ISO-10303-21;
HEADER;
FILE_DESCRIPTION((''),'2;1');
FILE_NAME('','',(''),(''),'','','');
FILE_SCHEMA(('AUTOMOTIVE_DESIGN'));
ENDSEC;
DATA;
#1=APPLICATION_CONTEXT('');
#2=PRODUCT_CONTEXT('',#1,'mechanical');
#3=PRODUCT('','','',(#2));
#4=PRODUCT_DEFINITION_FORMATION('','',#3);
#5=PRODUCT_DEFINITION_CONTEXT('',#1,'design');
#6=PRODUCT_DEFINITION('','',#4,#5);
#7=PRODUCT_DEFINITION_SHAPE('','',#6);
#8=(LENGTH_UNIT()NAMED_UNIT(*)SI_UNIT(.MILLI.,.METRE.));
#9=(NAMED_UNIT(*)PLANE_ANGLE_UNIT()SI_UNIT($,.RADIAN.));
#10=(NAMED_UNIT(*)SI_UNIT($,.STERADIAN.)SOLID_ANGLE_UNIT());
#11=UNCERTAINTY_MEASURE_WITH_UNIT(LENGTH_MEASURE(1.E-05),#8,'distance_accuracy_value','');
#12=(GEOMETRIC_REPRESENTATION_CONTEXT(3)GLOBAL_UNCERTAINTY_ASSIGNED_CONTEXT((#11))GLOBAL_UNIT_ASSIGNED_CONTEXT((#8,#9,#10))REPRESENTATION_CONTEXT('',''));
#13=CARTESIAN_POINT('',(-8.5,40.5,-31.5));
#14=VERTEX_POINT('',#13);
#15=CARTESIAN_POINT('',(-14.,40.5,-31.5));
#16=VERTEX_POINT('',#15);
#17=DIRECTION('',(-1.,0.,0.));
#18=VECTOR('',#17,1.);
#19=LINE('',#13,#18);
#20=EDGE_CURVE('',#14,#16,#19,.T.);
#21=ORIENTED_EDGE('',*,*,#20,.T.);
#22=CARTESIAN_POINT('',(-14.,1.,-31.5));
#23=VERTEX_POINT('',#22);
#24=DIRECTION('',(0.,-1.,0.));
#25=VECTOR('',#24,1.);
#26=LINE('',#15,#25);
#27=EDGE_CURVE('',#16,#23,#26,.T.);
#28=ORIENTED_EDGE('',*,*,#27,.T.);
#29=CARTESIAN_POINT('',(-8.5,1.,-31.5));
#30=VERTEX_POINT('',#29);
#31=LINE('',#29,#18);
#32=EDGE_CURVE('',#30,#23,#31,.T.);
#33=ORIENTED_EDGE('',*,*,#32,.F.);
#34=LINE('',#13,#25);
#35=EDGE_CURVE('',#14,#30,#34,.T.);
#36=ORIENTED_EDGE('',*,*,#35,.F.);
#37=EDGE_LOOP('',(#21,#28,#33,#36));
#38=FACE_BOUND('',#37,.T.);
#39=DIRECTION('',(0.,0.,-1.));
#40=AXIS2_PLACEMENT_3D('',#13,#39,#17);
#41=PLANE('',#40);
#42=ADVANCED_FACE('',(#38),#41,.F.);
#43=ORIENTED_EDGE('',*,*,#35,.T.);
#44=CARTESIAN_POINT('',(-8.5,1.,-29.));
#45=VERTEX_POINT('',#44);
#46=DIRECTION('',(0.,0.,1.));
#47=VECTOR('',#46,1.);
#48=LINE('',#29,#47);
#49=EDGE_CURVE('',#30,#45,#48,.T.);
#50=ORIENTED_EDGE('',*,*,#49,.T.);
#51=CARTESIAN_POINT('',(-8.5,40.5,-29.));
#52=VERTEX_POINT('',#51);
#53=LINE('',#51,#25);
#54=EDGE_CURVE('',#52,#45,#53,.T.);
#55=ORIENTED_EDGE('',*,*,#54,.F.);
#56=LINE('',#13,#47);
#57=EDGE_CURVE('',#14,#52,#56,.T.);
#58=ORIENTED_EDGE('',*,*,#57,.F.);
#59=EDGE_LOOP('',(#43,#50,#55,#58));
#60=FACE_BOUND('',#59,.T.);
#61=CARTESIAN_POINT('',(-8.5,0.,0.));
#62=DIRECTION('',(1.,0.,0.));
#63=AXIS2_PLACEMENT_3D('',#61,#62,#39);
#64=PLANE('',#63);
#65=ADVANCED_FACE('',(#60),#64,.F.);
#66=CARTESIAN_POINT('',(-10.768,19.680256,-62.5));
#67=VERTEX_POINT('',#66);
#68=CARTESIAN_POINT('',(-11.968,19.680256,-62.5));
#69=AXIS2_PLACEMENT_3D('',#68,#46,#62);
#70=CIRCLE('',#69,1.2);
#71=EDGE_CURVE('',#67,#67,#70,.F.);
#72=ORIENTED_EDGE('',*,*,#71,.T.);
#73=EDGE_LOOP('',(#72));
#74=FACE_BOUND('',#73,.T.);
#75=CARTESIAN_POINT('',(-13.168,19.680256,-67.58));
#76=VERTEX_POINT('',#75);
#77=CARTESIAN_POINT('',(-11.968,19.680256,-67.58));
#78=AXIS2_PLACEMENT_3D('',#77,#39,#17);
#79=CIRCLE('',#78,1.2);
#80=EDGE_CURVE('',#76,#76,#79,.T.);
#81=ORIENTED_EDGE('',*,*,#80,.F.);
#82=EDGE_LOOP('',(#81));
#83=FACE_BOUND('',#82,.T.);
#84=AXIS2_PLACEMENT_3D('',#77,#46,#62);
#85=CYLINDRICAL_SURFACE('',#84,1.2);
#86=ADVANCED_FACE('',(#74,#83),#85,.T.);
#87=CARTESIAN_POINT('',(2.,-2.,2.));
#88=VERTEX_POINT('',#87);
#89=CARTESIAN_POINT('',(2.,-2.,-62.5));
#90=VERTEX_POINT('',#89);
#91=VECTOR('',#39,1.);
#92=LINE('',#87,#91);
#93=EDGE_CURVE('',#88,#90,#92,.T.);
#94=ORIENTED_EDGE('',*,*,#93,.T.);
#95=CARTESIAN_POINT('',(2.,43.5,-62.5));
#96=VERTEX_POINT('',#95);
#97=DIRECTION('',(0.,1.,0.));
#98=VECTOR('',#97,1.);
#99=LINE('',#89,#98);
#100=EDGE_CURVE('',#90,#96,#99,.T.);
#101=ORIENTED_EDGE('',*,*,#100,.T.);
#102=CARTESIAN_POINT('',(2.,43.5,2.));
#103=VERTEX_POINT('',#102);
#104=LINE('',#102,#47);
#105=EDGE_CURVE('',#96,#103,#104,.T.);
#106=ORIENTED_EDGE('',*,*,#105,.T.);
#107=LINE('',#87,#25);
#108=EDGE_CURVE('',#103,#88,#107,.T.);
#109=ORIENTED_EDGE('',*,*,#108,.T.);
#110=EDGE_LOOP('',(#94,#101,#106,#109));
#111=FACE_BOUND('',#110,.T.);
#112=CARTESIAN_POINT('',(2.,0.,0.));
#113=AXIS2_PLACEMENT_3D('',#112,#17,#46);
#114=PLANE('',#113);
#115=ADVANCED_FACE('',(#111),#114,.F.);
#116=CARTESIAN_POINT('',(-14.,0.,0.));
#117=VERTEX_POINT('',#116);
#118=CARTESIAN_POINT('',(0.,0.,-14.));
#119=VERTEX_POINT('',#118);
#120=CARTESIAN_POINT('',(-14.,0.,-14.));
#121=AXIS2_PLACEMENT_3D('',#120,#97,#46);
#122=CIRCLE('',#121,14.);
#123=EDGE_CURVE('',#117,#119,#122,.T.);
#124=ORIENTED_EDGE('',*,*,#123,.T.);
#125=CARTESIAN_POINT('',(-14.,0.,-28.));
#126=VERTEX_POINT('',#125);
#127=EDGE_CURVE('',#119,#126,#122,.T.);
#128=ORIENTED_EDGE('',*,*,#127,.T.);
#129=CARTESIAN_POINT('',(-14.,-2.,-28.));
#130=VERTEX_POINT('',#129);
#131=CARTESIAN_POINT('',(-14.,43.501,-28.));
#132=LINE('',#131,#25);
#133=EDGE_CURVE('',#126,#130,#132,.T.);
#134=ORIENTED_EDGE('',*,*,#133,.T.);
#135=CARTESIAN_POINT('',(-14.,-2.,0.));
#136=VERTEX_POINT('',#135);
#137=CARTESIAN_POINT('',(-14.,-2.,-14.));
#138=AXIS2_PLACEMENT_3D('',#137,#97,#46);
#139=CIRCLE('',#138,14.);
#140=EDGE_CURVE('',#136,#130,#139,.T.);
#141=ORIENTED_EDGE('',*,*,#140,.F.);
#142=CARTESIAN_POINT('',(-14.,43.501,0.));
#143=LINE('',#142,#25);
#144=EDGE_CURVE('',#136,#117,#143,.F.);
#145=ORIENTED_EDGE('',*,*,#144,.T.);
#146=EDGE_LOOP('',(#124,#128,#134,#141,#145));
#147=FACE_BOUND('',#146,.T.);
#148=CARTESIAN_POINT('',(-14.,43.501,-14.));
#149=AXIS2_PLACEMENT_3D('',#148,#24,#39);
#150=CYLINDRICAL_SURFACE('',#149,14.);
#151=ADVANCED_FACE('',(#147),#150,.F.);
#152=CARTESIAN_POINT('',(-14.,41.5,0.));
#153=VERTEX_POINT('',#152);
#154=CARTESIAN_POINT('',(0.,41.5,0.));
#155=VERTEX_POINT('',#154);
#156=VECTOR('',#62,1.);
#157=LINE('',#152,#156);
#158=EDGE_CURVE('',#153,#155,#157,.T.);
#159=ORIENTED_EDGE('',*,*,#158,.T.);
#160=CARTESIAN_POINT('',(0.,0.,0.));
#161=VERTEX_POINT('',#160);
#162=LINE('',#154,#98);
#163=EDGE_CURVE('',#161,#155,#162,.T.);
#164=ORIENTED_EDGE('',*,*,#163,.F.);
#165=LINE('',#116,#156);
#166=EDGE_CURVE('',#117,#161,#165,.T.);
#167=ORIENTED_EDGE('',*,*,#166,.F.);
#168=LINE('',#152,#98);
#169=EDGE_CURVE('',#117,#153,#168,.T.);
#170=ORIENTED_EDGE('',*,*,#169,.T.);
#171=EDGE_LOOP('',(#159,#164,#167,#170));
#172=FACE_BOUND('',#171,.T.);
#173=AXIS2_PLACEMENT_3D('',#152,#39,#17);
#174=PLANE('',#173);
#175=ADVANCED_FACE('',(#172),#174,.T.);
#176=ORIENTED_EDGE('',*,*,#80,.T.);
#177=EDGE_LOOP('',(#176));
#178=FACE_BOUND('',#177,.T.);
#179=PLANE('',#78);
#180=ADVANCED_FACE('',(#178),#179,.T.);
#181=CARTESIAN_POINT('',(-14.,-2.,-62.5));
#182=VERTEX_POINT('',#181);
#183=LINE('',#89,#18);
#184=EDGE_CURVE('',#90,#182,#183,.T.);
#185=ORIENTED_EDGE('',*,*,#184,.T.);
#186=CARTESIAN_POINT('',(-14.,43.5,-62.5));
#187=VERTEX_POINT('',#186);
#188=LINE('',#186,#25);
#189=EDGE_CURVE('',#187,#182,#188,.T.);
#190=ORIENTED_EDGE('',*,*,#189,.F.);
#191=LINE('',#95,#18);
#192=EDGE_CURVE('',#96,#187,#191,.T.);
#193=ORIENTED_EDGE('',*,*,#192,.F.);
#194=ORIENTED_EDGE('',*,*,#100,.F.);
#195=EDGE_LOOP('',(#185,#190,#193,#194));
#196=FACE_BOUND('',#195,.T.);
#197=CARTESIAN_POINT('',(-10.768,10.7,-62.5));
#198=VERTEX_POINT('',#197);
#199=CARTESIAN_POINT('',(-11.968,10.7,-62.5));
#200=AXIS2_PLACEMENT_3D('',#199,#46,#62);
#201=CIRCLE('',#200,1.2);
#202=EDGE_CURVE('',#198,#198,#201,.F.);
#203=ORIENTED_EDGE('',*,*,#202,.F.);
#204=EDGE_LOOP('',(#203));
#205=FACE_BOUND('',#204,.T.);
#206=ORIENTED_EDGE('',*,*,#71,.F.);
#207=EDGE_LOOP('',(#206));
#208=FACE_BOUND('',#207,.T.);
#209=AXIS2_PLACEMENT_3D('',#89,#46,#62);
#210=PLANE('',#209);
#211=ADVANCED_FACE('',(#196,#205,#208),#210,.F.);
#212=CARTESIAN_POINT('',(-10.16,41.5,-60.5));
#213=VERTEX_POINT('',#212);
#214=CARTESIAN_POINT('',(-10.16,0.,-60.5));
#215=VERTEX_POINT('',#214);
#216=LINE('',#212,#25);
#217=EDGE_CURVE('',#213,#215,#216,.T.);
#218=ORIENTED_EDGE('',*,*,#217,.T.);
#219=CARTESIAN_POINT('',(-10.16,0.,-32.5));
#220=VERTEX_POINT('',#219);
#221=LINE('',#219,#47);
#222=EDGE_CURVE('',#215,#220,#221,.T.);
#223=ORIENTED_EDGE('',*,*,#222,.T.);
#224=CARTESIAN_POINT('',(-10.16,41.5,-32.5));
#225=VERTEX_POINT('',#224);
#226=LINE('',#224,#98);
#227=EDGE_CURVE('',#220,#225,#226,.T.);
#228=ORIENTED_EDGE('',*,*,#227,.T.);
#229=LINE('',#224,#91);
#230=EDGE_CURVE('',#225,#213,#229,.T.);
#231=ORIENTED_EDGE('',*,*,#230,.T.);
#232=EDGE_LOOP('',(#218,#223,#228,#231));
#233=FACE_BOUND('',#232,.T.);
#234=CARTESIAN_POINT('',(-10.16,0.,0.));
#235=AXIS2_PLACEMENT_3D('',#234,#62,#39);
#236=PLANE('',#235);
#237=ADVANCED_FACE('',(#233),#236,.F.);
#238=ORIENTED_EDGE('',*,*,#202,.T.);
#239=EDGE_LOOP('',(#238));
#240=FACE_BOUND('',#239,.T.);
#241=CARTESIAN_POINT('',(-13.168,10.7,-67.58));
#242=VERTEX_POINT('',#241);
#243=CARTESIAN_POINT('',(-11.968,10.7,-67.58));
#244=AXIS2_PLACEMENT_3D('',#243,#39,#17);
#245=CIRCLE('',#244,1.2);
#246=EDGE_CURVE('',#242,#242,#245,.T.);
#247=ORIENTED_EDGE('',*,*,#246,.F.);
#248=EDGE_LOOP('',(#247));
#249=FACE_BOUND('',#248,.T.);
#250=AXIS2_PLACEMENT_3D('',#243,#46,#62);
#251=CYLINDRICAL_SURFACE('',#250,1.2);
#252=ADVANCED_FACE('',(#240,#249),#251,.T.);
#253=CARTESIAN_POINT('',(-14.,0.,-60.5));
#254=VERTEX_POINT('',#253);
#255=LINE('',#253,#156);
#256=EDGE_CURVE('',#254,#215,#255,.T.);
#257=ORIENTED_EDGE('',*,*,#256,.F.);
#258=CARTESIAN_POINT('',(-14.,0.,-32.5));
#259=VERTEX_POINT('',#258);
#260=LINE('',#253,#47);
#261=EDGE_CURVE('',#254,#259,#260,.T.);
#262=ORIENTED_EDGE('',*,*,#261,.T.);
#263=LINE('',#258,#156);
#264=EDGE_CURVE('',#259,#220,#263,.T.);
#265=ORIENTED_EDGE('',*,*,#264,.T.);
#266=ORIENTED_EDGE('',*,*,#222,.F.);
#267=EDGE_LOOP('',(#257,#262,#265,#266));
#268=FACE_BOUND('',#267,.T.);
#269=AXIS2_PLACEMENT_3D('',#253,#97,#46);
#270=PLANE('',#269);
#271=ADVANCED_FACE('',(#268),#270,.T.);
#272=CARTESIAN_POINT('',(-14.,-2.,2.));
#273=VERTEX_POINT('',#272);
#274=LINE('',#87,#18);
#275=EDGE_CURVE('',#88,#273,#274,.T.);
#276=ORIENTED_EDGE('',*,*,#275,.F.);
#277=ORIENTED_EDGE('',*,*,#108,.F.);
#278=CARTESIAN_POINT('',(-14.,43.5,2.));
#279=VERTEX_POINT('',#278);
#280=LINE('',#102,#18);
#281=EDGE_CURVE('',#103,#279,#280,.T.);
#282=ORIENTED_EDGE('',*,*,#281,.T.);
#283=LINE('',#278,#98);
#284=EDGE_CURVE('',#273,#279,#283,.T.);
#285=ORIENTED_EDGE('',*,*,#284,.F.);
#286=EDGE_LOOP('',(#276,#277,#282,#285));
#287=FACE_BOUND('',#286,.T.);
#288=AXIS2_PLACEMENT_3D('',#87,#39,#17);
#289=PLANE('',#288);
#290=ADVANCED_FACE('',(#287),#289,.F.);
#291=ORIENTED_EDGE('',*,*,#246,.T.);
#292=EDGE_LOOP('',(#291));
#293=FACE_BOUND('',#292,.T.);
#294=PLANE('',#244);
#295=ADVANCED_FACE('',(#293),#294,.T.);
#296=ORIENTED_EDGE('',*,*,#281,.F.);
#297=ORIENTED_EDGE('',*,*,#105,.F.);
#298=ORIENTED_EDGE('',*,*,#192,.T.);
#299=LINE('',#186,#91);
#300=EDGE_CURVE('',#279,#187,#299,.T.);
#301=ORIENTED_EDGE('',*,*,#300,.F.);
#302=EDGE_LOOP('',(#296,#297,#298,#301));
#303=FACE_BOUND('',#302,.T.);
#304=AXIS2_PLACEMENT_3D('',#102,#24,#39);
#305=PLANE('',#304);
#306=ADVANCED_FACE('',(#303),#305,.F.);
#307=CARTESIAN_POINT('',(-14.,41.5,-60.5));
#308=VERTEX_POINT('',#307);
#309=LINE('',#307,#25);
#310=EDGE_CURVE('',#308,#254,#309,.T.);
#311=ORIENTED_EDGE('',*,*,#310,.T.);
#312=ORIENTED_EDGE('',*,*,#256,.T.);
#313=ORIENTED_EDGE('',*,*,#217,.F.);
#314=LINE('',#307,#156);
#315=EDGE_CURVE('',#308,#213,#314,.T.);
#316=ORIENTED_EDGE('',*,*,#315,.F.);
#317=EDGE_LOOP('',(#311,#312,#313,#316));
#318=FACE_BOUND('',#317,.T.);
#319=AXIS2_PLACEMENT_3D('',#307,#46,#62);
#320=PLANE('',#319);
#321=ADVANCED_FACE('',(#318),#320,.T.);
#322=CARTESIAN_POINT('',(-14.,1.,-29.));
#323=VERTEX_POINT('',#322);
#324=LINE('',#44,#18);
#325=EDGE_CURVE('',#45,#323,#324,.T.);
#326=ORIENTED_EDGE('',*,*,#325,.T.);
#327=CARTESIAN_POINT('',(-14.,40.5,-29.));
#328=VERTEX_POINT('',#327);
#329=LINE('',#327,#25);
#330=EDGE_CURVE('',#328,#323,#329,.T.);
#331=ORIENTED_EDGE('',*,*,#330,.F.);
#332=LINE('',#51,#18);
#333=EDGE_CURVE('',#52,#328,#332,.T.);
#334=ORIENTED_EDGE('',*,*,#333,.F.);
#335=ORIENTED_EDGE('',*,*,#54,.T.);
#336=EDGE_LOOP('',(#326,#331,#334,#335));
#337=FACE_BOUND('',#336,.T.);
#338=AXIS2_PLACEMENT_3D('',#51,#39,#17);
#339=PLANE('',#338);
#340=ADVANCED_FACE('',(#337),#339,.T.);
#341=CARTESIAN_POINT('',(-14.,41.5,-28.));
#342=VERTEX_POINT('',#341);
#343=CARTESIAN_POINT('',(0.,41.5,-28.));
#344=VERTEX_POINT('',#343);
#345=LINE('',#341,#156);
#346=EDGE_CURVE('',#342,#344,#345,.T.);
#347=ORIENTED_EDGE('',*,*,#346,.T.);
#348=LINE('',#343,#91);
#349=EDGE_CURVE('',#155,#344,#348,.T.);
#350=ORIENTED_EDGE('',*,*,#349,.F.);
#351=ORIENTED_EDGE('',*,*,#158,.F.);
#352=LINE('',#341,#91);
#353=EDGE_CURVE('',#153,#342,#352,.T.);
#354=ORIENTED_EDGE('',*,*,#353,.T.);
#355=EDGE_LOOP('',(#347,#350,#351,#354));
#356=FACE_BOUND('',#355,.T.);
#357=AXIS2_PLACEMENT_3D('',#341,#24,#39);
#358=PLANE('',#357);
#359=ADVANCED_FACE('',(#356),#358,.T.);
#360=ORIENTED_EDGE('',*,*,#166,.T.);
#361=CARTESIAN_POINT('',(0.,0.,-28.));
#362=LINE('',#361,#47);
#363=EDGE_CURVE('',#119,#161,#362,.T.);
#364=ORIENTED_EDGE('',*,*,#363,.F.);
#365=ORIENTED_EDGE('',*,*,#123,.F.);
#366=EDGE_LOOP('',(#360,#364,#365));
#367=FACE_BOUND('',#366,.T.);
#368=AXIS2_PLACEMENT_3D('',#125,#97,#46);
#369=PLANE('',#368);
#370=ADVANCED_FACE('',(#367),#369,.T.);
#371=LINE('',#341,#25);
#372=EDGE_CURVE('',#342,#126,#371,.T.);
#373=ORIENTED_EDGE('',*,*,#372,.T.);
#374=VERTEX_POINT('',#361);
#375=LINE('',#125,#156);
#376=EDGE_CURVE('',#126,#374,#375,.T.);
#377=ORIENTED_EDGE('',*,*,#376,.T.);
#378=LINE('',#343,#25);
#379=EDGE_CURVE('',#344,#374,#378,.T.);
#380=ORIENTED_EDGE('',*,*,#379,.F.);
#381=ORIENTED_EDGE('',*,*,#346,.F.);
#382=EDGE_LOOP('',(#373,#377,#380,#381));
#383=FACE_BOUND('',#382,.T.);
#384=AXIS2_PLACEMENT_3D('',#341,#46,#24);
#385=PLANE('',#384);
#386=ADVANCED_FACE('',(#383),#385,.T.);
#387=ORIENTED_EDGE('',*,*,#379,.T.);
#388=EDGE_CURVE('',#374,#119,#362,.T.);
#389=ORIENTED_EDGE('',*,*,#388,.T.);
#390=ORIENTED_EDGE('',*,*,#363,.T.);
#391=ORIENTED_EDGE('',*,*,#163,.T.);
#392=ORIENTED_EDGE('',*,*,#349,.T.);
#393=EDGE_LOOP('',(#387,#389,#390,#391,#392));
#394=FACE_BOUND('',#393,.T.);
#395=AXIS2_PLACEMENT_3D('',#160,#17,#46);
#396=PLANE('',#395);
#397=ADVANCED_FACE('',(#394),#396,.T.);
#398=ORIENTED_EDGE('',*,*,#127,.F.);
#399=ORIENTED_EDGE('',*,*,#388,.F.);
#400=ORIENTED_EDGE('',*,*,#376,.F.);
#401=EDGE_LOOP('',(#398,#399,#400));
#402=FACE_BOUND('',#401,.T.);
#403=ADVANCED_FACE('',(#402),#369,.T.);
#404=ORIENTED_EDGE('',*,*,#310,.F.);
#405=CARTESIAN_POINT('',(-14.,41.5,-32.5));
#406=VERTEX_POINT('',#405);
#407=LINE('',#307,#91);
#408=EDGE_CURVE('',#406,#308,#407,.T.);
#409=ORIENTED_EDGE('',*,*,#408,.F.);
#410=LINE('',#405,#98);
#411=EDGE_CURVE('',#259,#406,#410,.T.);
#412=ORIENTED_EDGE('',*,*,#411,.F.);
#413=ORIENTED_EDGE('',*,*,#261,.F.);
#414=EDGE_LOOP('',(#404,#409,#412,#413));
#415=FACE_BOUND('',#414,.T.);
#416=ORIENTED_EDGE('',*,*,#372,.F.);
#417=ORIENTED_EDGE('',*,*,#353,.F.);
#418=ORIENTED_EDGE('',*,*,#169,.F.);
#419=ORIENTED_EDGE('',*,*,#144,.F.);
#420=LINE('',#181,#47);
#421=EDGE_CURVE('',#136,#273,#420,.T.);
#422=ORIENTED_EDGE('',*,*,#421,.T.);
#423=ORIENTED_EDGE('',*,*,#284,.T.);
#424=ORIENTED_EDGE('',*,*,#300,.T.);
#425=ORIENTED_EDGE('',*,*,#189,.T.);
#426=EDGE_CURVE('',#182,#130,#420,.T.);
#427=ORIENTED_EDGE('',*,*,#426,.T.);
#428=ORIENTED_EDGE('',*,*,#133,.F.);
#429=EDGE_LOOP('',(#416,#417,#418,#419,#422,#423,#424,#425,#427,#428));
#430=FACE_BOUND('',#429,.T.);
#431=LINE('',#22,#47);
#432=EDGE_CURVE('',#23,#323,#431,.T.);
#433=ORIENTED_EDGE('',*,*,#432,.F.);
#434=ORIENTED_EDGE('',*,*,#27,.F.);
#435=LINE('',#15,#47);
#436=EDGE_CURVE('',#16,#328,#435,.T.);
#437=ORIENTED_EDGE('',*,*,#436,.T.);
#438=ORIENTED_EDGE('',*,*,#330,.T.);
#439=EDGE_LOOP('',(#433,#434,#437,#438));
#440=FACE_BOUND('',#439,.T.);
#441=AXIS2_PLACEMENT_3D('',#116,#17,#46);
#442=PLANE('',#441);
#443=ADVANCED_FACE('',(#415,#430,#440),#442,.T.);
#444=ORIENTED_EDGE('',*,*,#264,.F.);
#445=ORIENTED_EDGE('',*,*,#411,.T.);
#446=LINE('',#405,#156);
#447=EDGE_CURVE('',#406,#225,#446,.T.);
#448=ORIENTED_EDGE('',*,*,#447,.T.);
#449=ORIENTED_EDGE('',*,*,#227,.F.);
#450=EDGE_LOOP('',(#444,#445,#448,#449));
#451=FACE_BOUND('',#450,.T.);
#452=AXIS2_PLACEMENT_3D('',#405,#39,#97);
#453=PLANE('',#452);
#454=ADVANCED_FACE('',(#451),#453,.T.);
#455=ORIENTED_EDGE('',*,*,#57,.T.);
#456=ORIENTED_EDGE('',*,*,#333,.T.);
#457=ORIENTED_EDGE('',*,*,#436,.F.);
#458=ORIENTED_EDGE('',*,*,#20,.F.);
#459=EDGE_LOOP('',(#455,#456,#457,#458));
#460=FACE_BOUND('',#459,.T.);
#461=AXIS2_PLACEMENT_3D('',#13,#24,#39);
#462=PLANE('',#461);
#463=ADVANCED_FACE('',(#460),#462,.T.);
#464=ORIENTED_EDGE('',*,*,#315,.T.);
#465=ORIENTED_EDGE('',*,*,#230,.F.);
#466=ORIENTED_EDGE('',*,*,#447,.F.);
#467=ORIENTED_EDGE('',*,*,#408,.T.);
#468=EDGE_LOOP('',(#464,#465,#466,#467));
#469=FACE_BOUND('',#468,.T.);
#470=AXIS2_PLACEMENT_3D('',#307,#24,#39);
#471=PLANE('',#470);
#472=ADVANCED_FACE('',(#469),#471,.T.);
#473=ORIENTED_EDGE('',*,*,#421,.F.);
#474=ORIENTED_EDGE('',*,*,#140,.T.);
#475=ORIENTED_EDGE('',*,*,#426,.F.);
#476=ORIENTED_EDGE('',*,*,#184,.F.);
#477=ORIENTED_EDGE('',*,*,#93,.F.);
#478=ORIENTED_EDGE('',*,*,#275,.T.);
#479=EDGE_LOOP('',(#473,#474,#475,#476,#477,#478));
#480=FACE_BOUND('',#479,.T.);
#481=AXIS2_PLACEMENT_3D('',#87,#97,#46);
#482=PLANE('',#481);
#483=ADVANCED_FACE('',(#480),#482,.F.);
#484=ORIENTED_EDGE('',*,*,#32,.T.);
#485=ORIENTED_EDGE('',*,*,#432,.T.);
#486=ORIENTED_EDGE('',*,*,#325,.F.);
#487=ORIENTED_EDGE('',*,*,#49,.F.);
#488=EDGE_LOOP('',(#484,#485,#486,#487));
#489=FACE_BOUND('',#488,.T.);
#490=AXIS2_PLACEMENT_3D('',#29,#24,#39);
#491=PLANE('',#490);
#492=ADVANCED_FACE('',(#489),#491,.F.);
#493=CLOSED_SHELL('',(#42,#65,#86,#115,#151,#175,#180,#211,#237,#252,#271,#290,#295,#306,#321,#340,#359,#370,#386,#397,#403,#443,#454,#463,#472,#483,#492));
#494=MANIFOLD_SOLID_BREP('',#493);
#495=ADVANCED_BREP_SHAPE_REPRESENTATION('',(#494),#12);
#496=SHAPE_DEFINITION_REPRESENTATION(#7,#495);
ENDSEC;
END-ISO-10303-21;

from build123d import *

# Parameters (mm, degrees)
SKETCH1_W           = 64.5
SKETCH1_H           = 45.5
BOSS_EXTRUDE1_DEPTH = 2
SKETCH2_W           = 64.5
SKETCH2_H           = 45.5
SKETCH2_W_2         = 28
SKETCH2_H_2         = 41.5
BOSS_EXTRUDE2_DEPTH = 14
CUT_EXTRUDE1_REACH  = 80.565
SKETCH3_R           = 14
SKETCH4_W           = 2.5
SKETCH4_H           = 39.5
CUT_EXTRUDE2_DEPTH  = 5.5
SKETCH5_W           = 28
SKETCH5_H           = 41.5
BOSS_EXTRUDE3_DEPTH = 10.16
SKETCH6_R           = 1.2
BOSS_EXTRUDE4_DEPTH = 5.08


with BuildPart() as part:
    # Sketch1 → Boss-Extrude1 (new body)
    with BuildSketch(Plane(origin=(0, 0, 0), x_dir=(0, 0, -1), z_dir=(1, 0, 0))):
        with Locations((30.25, 20.75)):
            Rectangle(SKETCH1_W, SKETCH1_H)
    extrude(amount=BOSS_EXTRUDE1_DEPTH)

    # Sketch2 → Boss-Extrude2 (add)
    with BuildSketch(Plane.ZY):
        with Locations((-30.25, 20.75)):
            Rectangle(SKETCH2_W, SKETCH2_H)
        with Locations((-46.5, 20.75)):
            Rectangle(SKETCH2_W_2, SKETCH2_H_2, mode=Mode.SUBTRACT)
        with Locations((-14, 20.75)):
            Rectangle(SKETCH2_W_2, SKETCH2_H_2, mode=Mode.SUBTRACT)
    extrude(amount=BOSS_EXTRUDE2_DEPTH)

    # Sketch3 → Cut-Extrude1 (cut, up to next)
    with BuildSketch(Plane(origin=(0, -2, 0), x_dir=(1, 0, 0), z_dir=(0, 1, 0)), mode=Mode.PRIVATE) as cut_extrude1_sk1:
        with Locations((-14, 14)):
            Circle(SKETCH3_R)
    cut_extrude1_tool1 = extrude(cut_extrude1_sk1.sketch, amount=CUT_EXTRUDE1_REACH, mode=Mode.PRIVATE) & part.part
    add(cut_extrude1_tool1.solids().sort_by_distance((-14, -2, -14))[0], mode=Mode.SUBTRACT)

    # Sketch4 → Cut-Extrude2 (cut)
    with BuildSketch(Plane.ZY.offset(14)):
        with Locations((-30.25, 20.75)):
            Rectangle(SKETCH4_W, SKETCH4_H)
    extrude(amount=-CUT_EXTRUDE2_DEPTH, mode=Mode.SUBTRACT)

    # Sketch5 → Boss-Extrude3 (add)
    with BuildSketch(Plane.ZY):
        with Locations((-46.5, 20.75)):
            Rectangle(SKETCH5_W, SKETCH5_H)
    extrude(amount=BOSS_EXTRUDE3_DEPTH)

    # Sketch6 → Boss-Extrude4 (add)
    with BuildSketch(Plane(origin=(0, 0, -62.5), x_dir=(-1, 0, 0), z_dir=(0, 0, -1))):
        with Locations(Location((11.968, 10.7, 0), (0, 0, 180))):
            Circle(SKETCH6_R)
        with Locations(Location((11.968, 19.68025612, 0), (0, 0, 180))):
            Circle(SKETCH6_R)
    extrude(amount=BOSS_EXTRUDE4_DEPTH)


solid = part.part
